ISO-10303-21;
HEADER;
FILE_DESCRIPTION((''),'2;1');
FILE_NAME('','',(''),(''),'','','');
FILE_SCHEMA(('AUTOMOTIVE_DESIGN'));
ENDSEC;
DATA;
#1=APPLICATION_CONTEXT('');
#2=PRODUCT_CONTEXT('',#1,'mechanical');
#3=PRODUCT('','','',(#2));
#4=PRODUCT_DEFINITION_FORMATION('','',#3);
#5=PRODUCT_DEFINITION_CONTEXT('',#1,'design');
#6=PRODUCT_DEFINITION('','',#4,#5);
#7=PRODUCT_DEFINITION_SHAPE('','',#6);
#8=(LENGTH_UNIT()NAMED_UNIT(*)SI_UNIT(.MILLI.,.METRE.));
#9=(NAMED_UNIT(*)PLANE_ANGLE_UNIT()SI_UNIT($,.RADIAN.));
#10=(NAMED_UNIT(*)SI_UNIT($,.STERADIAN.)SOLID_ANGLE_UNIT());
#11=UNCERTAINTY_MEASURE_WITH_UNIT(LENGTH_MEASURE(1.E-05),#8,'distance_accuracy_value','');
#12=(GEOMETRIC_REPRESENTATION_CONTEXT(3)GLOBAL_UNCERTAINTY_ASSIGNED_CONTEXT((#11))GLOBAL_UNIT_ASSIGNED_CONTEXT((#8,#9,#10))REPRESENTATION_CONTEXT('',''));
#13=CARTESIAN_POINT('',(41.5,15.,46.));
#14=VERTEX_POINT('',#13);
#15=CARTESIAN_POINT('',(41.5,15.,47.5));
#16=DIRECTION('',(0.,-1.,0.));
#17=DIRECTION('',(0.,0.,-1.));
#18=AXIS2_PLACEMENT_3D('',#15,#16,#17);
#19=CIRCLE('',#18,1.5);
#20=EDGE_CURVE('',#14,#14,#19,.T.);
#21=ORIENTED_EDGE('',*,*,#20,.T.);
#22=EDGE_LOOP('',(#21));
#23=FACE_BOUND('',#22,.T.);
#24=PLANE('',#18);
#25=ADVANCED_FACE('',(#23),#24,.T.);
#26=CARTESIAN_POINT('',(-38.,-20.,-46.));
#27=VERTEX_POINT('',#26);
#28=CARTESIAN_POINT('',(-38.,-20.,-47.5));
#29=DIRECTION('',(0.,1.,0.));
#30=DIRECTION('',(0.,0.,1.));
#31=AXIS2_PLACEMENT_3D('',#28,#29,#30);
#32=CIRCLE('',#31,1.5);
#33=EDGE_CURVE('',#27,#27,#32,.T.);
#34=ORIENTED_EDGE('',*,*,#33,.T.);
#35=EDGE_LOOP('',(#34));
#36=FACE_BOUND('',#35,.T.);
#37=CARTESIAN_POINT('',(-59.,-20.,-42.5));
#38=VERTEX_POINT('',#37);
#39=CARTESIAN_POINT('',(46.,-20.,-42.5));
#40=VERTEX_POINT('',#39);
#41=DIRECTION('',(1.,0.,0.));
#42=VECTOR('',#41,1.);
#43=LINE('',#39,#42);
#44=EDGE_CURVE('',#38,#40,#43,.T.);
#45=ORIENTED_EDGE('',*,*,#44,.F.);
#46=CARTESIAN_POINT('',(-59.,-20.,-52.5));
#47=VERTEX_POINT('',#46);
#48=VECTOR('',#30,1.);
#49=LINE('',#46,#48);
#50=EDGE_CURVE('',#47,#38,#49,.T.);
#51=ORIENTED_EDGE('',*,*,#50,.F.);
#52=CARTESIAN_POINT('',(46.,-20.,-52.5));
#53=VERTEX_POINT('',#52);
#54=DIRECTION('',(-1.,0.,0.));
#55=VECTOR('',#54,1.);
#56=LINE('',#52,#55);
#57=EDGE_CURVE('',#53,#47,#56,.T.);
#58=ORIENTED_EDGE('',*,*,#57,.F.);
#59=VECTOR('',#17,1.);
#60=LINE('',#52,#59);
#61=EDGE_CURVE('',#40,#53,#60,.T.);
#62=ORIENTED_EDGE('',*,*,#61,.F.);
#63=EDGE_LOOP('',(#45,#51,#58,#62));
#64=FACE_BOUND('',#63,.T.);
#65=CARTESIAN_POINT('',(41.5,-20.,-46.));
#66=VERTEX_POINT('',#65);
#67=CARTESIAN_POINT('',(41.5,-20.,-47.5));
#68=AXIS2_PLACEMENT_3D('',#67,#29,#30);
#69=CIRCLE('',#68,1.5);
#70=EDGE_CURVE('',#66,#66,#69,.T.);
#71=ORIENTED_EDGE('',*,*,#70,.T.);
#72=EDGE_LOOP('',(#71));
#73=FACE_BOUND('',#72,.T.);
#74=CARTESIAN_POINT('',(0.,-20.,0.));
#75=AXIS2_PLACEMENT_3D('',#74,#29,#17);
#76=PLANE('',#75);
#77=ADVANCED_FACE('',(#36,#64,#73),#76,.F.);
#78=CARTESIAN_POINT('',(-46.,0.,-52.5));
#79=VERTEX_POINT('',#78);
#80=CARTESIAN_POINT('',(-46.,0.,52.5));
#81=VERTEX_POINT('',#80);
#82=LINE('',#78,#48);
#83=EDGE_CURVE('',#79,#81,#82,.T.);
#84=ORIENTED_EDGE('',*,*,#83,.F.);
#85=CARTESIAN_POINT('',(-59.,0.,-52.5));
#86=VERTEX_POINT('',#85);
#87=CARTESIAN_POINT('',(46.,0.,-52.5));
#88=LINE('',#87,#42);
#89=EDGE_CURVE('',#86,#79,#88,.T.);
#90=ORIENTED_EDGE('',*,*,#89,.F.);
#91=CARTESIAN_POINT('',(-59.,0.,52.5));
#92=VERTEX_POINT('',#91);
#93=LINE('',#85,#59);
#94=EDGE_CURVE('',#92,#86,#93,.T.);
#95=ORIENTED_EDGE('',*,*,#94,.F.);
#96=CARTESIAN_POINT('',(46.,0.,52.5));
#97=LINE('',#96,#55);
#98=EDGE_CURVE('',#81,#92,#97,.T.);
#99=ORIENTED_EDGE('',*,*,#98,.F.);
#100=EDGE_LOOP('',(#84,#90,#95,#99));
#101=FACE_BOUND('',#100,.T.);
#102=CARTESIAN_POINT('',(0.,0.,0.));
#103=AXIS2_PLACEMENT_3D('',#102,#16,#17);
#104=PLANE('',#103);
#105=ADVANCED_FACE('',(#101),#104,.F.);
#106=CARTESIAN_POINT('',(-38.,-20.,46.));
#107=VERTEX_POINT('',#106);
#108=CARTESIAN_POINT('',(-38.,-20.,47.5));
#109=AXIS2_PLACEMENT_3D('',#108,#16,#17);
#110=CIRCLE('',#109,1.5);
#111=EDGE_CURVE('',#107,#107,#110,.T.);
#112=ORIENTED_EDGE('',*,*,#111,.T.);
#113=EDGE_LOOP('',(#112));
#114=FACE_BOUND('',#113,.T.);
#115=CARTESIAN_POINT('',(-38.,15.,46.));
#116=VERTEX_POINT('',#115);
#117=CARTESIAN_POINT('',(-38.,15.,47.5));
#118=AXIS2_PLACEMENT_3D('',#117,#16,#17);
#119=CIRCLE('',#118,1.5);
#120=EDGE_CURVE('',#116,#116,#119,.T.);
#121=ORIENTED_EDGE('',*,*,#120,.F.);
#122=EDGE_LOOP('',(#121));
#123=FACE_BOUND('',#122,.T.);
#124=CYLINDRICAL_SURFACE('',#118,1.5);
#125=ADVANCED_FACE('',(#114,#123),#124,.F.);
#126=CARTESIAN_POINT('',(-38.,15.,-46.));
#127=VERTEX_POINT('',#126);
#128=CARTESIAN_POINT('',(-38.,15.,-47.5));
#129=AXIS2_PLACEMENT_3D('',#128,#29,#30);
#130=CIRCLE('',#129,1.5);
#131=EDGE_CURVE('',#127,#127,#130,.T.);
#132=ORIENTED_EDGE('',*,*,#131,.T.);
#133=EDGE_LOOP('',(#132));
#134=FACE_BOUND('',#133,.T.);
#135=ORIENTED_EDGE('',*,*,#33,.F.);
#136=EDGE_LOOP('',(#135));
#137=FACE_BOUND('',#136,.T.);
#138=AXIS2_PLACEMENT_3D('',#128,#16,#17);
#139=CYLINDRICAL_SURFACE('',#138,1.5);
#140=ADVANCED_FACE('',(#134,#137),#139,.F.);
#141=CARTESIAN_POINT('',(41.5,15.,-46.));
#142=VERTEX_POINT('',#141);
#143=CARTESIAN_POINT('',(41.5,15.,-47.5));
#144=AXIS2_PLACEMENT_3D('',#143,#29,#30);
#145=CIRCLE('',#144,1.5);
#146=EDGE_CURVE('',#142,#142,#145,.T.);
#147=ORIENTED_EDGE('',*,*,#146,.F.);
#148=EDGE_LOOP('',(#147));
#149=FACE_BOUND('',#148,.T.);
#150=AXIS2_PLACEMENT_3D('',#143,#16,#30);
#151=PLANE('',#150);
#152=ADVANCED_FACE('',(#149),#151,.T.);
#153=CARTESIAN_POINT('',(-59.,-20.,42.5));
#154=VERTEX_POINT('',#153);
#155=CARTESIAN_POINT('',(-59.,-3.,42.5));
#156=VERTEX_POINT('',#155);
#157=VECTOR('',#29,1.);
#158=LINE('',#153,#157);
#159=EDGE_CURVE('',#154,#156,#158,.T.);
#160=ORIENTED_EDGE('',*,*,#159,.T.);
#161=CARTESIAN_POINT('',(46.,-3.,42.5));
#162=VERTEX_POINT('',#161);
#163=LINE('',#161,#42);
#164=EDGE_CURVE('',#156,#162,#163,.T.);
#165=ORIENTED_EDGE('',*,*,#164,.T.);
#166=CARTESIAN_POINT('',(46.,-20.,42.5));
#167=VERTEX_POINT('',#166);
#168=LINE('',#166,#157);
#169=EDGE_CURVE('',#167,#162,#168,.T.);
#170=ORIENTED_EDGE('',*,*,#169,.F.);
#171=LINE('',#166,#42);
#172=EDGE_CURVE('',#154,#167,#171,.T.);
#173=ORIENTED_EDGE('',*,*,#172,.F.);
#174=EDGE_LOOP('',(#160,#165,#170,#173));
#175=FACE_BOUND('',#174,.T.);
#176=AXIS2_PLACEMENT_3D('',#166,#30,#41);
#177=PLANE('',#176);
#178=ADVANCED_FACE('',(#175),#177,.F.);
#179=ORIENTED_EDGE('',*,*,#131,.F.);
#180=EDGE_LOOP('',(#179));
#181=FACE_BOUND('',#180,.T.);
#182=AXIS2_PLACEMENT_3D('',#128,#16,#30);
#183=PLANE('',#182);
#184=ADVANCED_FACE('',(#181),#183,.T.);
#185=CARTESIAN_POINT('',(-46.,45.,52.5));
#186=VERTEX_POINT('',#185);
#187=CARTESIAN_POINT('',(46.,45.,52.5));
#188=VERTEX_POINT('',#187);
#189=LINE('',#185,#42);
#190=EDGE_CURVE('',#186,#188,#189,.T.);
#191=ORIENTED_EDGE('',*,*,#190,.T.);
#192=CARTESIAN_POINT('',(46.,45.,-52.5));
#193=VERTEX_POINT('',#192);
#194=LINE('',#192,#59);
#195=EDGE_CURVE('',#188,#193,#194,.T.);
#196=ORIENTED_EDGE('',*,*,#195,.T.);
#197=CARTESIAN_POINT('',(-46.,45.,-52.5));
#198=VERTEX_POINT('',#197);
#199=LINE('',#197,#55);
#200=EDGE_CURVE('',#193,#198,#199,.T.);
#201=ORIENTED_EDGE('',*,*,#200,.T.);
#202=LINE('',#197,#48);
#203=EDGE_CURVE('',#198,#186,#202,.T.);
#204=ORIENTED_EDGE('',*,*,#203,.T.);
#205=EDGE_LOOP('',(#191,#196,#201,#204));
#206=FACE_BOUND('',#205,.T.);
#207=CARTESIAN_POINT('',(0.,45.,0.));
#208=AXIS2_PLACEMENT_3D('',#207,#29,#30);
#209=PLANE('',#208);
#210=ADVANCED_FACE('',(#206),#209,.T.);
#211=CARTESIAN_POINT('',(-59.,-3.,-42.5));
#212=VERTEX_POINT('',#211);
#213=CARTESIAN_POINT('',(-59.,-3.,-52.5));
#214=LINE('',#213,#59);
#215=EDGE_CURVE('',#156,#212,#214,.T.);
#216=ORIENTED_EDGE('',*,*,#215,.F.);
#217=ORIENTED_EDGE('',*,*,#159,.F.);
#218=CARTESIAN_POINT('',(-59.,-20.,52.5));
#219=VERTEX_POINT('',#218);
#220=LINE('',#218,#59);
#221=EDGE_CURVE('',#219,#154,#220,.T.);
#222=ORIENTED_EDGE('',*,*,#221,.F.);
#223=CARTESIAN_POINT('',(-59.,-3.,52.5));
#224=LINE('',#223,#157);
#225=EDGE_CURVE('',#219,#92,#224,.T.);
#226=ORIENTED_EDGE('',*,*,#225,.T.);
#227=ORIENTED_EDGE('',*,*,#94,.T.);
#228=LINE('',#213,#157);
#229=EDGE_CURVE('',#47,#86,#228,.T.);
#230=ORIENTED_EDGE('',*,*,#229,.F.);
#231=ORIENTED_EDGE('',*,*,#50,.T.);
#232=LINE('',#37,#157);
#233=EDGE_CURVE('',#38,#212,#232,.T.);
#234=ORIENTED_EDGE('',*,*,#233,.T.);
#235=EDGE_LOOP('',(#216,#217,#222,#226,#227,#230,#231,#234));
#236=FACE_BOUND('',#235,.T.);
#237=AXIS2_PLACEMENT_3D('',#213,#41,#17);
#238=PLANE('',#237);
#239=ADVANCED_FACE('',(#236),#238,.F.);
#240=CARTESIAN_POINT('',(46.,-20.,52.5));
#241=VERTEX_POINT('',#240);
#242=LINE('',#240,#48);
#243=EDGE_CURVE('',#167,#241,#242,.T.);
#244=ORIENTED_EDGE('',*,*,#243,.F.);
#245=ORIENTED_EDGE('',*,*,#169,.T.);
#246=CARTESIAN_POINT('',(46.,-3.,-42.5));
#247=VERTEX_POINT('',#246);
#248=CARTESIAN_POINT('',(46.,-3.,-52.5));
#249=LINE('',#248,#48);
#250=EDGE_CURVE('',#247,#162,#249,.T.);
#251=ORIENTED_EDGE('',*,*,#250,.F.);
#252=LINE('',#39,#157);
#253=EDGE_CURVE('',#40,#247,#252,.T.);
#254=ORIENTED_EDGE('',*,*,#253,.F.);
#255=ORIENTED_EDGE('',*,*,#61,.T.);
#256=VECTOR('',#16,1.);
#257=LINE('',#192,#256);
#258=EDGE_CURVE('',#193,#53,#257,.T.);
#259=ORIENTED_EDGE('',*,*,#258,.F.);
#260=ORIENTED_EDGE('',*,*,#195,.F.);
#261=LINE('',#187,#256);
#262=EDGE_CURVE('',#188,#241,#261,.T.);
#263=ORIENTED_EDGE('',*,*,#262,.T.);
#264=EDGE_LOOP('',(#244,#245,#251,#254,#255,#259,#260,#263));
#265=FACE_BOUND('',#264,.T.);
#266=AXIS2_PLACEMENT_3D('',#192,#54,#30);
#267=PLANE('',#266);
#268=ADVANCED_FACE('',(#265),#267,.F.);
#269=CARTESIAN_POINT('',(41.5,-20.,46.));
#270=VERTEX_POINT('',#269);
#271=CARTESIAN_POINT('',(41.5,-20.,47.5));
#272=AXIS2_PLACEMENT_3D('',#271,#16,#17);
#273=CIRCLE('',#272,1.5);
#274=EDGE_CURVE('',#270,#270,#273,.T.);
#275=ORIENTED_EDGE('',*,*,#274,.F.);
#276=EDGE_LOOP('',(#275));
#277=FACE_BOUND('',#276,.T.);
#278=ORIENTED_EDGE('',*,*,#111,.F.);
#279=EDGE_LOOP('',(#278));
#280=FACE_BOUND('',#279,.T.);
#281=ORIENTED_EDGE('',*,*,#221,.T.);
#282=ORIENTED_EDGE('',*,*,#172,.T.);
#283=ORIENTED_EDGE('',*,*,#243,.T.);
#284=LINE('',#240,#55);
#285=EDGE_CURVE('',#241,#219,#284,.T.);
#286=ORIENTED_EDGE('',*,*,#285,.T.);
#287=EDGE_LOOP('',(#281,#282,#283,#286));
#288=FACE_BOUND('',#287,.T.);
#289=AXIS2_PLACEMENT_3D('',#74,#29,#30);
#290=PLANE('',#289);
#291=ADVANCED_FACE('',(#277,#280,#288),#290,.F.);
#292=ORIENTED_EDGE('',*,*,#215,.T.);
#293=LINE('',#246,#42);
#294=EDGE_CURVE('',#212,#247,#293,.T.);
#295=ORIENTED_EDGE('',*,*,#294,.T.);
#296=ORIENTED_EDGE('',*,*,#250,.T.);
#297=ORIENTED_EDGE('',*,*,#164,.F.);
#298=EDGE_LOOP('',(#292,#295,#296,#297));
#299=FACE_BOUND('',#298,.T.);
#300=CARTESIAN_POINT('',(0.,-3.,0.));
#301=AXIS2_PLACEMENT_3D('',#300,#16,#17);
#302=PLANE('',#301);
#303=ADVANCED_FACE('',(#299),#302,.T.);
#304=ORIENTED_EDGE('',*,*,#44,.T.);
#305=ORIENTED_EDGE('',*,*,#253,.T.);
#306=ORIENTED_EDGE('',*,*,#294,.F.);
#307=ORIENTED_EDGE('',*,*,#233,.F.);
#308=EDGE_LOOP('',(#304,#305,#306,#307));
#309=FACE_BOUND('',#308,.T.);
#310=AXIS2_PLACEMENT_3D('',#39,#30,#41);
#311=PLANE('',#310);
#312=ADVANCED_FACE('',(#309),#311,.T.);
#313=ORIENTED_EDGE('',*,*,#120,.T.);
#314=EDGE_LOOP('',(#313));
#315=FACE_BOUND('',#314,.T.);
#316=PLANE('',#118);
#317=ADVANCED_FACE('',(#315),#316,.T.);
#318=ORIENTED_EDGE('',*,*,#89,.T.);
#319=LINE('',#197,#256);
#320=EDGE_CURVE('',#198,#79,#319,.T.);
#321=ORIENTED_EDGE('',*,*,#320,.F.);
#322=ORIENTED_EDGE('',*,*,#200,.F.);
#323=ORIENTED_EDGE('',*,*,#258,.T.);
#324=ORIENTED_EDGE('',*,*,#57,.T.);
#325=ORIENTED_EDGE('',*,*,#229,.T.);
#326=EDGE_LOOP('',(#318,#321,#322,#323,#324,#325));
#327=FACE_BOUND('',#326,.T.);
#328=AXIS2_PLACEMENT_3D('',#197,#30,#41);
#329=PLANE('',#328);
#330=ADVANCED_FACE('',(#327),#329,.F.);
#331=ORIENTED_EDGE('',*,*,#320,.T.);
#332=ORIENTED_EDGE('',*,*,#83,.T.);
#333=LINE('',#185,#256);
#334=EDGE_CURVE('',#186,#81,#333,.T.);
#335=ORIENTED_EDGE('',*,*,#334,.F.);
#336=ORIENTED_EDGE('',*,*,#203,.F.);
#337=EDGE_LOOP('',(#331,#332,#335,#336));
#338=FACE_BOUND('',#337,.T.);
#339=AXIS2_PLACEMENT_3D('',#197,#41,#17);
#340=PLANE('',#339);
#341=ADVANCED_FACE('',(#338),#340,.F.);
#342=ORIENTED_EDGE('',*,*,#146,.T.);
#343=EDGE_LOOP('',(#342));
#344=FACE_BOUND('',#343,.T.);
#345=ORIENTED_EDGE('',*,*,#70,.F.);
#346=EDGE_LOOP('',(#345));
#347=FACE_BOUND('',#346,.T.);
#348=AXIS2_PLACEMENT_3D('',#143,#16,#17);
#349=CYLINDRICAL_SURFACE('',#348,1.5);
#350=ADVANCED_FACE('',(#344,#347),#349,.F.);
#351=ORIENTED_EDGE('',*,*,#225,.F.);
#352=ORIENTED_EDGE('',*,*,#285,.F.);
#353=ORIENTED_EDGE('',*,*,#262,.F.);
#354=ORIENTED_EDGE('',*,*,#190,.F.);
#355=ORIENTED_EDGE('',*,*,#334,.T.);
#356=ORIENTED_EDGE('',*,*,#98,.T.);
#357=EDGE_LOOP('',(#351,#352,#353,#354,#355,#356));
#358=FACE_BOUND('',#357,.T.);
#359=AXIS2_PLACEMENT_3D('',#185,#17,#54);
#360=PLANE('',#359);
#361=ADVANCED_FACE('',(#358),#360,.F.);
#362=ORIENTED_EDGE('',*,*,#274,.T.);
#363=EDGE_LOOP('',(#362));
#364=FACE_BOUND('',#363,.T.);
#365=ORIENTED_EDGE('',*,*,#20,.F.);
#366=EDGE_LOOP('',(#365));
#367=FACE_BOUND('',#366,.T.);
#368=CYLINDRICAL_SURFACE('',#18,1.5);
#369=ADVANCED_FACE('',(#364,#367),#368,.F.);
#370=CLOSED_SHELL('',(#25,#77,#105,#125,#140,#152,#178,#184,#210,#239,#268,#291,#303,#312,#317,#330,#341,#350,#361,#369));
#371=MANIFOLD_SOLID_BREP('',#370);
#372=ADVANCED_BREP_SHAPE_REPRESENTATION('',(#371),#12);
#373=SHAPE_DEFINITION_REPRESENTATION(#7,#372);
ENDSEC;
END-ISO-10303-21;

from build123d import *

# Parameters (mm, degrees)
SKETCH1_W           = 92
SKETCH1_H           = 105
BOSS_EXTRUDE1_DEPTH = 45
SKETCH2_W           = 105
SKETCH2_H           = 105
BOSS_EXTRUDE2_DEPTH = 3
SKETCH3_W           = 105
SKETCH3_H           = 10
BOSS_EXTRUDE3_DEPTH = 17
SKETCH4_R           = 1.5
CUT_EXTRUDE1_DEPTH  = 35


with BuildPart() as part:
    # Sketch1 → Boss-Extrude1 (new body)
    with BuildSketch(Plane(origin=(0, 0, 0), x_dir=(1, 0, 0), z_dir=(0, 1, 0))):
        Rectangle(SKETCH1_W, SKETCH1_H)
    extrude(amount=BOSS_EXTRUDE1_DEPTH)

    # Sketch2 → Boss-Extrude2 (add)
    with BuildSketch(Plane.XZ):
        with Locations((-6.5, 0)):
            Rectangle(SKETCH2_W, SKETCH2_H)
    extrude(amount=BOSS_EXTRUDE2_DEPTH)

    # Sketch3 → Boss-Extrude3 (add)
    with BuildSketch(Plane.XZ.offset(3)):
        with Locations((-6.5, 47.5)):
            Rectangle(SKETCH3_W, SKETCH3_H)
    boss_extrude3 = extrude(amount=BOSS_EXTRUDE3_DEPTH)

    # Sketch4 → Cut-Extrude1 (cut)
    with BuildSketch(Plane(origin=(0, -20, 0), x_dir=(-1, 0, 0), z_dir=(0, -1, 0))):
        with Locations(Location((-41.5, -47.5, 0), (0, 0, 90))):
            Circle(SKETCH4_R)
        with Locations(Location((38, -47.5, 0), (0, 0, 90))):
            Circle(SKETCH4_R)
    cut_extrude1 = extrude(amount=-CUT_EXTRUDE1_DEPTH, mode=Mode.SUBTRACT)

    # Mirror1: Boss-Extrude3, Cut-Extrude1 across plane
    add(boss_extrude3.mirror(Plane.XY))
    add(cut_extrude1.mirror(Plane.XY), mode=Mode.SUBTRACT)


solid = part.part
